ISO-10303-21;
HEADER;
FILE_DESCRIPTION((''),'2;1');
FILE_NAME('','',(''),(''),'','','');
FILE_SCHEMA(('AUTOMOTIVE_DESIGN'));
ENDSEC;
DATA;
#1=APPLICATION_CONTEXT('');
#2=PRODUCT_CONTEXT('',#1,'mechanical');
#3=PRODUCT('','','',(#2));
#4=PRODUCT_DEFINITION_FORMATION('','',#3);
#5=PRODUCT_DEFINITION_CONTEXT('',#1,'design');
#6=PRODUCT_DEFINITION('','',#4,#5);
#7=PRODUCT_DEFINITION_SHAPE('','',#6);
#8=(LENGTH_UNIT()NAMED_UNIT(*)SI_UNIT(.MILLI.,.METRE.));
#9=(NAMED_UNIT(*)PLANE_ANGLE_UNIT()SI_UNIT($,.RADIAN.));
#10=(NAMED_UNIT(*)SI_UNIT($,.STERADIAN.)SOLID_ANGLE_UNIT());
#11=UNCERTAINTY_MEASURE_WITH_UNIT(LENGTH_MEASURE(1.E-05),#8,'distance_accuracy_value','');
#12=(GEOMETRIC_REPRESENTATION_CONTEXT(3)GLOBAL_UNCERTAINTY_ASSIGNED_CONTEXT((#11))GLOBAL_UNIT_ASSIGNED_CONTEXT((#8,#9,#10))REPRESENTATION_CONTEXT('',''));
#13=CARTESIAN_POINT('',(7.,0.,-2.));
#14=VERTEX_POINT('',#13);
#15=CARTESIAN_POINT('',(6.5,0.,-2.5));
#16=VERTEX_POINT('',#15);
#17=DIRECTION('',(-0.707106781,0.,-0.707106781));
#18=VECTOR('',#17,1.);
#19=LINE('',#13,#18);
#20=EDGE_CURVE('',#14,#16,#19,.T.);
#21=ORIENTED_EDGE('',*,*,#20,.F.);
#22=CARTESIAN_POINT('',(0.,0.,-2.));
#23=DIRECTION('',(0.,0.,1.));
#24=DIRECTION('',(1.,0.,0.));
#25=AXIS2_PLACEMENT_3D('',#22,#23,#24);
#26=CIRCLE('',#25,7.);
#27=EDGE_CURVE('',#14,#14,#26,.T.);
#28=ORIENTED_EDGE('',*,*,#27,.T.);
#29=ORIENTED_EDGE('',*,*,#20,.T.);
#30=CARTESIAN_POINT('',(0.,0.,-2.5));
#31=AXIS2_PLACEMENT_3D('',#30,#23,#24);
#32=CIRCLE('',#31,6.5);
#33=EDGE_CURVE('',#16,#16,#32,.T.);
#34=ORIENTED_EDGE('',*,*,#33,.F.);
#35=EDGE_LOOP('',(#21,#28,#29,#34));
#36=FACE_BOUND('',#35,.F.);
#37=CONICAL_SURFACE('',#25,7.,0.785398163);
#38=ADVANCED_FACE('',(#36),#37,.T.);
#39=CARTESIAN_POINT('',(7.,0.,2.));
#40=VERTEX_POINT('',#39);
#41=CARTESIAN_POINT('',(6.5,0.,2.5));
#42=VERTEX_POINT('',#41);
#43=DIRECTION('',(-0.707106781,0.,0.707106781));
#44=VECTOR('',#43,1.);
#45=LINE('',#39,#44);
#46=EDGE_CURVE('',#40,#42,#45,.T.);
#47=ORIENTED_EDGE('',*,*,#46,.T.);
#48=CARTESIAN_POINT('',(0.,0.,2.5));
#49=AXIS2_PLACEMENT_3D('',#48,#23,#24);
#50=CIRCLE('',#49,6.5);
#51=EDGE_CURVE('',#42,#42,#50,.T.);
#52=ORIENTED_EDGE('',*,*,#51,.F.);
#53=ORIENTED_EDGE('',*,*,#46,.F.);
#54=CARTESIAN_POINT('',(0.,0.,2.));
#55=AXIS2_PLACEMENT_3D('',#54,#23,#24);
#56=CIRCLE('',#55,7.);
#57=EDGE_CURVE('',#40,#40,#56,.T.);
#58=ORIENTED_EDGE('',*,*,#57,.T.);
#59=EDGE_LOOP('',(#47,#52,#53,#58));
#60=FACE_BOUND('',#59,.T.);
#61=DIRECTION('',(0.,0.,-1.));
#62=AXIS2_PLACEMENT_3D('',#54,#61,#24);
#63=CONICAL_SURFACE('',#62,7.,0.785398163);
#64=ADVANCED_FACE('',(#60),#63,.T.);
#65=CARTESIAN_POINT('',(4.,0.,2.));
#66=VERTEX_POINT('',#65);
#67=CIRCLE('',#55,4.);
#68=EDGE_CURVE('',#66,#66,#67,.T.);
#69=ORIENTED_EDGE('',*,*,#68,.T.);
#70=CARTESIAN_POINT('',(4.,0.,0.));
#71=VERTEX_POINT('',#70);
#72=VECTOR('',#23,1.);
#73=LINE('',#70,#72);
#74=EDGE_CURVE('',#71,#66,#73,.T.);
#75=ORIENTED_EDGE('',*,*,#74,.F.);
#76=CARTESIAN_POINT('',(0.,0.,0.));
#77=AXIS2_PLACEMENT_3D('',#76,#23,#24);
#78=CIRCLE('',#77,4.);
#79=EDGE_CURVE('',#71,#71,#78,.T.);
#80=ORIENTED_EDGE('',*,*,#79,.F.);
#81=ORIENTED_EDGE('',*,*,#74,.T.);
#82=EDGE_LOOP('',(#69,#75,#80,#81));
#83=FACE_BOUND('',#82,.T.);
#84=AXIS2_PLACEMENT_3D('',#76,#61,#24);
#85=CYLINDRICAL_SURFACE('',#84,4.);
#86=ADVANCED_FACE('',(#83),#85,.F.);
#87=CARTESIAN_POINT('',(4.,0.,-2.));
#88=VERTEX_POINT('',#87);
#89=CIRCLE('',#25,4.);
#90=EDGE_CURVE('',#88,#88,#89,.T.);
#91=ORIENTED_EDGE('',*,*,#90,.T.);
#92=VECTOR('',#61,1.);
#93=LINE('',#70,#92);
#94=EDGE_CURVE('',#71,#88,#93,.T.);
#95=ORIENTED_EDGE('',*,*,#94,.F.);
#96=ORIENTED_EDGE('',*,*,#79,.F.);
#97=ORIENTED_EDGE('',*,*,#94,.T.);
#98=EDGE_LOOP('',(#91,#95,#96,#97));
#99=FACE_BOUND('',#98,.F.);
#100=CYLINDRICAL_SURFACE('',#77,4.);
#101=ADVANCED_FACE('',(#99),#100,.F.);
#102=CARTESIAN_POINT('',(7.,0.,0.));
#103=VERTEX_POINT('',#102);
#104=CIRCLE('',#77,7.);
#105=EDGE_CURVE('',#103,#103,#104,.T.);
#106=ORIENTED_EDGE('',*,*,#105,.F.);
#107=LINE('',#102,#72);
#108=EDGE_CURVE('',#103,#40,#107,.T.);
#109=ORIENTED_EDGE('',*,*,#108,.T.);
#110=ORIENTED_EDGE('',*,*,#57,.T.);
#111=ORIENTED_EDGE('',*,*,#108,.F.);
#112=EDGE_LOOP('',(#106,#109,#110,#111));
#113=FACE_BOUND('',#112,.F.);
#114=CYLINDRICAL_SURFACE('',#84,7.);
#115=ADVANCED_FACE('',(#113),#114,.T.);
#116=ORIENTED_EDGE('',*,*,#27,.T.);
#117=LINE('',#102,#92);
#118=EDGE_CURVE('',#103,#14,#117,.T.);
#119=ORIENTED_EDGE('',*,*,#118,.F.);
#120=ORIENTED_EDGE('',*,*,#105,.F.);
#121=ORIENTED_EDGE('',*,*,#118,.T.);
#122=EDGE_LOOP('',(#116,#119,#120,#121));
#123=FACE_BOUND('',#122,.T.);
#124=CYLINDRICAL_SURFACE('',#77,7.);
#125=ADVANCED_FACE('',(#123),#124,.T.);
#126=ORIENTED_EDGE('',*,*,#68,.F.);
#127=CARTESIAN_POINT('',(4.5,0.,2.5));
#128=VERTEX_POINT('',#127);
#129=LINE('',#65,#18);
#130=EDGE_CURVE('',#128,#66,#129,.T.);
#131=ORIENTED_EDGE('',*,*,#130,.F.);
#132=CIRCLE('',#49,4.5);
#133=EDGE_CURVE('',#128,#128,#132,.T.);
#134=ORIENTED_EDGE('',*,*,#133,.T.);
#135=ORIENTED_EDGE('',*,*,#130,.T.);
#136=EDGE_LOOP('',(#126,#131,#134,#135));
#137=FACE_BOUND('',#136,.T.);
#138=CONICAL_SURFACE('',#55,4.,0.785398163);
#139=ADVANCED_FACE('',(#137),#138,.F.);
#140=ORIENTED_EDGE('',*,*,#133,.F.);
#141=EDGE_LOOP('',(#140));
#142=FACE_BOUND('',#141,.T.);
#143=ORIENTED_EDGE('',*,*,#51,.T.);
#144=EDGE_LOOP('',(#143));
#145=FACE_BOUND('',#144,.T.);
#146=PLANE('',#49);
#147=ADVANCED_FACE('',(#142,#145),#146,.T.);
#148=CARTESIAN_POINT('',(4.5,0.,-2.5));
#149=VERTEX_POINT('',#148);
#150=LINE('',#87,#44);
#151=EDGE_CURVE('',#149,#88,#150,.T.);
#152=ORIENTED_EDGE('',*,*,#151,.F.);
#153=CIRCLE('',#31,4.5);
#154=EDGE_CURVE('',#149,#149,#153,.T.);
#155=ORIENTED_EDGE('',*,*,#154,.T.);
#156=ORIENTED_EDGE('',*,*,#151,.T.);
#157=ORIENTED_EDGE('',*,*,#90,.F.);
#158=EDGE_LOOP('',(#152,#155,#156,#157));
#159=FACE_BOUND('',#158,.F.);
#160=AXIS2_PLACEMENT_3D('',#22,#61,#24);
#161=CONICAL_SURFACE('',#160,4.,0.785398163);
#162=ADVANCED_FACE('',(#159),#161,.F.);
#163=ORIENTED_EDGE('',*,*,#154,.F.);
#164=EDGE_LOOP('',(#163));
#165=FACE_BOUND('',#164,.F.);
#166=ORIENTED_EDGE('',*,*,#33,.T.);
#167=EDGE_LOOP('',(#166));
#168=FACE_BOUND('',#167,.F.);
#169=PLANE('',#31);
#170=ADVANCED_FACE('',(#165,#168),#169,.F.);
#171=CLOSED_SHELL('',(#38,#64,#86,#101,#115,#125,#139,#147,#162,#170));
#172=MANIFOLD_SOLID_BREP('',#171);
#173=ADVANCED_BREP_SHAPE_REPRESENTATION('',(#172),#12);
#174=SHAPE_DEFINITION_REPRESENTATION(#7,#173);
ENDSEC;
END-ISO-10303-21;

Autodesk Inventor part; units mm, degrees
ref_plane "YZ Plane" through (0, 0, 0) normal (1, 0, 0) x (0, 1, 0)
ref_plane "XZ Plane" through (0, 0, 0) normal (0, 1, 0) x (-1, 0, 0)
ref_plane "XY Plane" through (0, 0, 0) normal (0, 0, 1) x (1, 0, 0)
sketch "スケッチ1" plane through (0, 0, 0) normal (0, 0, 1) x (1, 0, 0)
  circle A0 centre (0, 0) radius 4
  circle A1 centre (0, 0) radius 7
  dimension "d0" = 8
  dimension "d1" = 14
extrude "押し出し1" add sketch "スケッチ1" along normal mid plane 5
chamfer "面取り1" distance 0.5 angle 45 4 edges at (-7, 0, 2.5) (-4, 0, 2.5) (-7, 0, -2.5) (-4, 0, -2.5)
properties part number "spacer3" material "ABS プラスチック"
